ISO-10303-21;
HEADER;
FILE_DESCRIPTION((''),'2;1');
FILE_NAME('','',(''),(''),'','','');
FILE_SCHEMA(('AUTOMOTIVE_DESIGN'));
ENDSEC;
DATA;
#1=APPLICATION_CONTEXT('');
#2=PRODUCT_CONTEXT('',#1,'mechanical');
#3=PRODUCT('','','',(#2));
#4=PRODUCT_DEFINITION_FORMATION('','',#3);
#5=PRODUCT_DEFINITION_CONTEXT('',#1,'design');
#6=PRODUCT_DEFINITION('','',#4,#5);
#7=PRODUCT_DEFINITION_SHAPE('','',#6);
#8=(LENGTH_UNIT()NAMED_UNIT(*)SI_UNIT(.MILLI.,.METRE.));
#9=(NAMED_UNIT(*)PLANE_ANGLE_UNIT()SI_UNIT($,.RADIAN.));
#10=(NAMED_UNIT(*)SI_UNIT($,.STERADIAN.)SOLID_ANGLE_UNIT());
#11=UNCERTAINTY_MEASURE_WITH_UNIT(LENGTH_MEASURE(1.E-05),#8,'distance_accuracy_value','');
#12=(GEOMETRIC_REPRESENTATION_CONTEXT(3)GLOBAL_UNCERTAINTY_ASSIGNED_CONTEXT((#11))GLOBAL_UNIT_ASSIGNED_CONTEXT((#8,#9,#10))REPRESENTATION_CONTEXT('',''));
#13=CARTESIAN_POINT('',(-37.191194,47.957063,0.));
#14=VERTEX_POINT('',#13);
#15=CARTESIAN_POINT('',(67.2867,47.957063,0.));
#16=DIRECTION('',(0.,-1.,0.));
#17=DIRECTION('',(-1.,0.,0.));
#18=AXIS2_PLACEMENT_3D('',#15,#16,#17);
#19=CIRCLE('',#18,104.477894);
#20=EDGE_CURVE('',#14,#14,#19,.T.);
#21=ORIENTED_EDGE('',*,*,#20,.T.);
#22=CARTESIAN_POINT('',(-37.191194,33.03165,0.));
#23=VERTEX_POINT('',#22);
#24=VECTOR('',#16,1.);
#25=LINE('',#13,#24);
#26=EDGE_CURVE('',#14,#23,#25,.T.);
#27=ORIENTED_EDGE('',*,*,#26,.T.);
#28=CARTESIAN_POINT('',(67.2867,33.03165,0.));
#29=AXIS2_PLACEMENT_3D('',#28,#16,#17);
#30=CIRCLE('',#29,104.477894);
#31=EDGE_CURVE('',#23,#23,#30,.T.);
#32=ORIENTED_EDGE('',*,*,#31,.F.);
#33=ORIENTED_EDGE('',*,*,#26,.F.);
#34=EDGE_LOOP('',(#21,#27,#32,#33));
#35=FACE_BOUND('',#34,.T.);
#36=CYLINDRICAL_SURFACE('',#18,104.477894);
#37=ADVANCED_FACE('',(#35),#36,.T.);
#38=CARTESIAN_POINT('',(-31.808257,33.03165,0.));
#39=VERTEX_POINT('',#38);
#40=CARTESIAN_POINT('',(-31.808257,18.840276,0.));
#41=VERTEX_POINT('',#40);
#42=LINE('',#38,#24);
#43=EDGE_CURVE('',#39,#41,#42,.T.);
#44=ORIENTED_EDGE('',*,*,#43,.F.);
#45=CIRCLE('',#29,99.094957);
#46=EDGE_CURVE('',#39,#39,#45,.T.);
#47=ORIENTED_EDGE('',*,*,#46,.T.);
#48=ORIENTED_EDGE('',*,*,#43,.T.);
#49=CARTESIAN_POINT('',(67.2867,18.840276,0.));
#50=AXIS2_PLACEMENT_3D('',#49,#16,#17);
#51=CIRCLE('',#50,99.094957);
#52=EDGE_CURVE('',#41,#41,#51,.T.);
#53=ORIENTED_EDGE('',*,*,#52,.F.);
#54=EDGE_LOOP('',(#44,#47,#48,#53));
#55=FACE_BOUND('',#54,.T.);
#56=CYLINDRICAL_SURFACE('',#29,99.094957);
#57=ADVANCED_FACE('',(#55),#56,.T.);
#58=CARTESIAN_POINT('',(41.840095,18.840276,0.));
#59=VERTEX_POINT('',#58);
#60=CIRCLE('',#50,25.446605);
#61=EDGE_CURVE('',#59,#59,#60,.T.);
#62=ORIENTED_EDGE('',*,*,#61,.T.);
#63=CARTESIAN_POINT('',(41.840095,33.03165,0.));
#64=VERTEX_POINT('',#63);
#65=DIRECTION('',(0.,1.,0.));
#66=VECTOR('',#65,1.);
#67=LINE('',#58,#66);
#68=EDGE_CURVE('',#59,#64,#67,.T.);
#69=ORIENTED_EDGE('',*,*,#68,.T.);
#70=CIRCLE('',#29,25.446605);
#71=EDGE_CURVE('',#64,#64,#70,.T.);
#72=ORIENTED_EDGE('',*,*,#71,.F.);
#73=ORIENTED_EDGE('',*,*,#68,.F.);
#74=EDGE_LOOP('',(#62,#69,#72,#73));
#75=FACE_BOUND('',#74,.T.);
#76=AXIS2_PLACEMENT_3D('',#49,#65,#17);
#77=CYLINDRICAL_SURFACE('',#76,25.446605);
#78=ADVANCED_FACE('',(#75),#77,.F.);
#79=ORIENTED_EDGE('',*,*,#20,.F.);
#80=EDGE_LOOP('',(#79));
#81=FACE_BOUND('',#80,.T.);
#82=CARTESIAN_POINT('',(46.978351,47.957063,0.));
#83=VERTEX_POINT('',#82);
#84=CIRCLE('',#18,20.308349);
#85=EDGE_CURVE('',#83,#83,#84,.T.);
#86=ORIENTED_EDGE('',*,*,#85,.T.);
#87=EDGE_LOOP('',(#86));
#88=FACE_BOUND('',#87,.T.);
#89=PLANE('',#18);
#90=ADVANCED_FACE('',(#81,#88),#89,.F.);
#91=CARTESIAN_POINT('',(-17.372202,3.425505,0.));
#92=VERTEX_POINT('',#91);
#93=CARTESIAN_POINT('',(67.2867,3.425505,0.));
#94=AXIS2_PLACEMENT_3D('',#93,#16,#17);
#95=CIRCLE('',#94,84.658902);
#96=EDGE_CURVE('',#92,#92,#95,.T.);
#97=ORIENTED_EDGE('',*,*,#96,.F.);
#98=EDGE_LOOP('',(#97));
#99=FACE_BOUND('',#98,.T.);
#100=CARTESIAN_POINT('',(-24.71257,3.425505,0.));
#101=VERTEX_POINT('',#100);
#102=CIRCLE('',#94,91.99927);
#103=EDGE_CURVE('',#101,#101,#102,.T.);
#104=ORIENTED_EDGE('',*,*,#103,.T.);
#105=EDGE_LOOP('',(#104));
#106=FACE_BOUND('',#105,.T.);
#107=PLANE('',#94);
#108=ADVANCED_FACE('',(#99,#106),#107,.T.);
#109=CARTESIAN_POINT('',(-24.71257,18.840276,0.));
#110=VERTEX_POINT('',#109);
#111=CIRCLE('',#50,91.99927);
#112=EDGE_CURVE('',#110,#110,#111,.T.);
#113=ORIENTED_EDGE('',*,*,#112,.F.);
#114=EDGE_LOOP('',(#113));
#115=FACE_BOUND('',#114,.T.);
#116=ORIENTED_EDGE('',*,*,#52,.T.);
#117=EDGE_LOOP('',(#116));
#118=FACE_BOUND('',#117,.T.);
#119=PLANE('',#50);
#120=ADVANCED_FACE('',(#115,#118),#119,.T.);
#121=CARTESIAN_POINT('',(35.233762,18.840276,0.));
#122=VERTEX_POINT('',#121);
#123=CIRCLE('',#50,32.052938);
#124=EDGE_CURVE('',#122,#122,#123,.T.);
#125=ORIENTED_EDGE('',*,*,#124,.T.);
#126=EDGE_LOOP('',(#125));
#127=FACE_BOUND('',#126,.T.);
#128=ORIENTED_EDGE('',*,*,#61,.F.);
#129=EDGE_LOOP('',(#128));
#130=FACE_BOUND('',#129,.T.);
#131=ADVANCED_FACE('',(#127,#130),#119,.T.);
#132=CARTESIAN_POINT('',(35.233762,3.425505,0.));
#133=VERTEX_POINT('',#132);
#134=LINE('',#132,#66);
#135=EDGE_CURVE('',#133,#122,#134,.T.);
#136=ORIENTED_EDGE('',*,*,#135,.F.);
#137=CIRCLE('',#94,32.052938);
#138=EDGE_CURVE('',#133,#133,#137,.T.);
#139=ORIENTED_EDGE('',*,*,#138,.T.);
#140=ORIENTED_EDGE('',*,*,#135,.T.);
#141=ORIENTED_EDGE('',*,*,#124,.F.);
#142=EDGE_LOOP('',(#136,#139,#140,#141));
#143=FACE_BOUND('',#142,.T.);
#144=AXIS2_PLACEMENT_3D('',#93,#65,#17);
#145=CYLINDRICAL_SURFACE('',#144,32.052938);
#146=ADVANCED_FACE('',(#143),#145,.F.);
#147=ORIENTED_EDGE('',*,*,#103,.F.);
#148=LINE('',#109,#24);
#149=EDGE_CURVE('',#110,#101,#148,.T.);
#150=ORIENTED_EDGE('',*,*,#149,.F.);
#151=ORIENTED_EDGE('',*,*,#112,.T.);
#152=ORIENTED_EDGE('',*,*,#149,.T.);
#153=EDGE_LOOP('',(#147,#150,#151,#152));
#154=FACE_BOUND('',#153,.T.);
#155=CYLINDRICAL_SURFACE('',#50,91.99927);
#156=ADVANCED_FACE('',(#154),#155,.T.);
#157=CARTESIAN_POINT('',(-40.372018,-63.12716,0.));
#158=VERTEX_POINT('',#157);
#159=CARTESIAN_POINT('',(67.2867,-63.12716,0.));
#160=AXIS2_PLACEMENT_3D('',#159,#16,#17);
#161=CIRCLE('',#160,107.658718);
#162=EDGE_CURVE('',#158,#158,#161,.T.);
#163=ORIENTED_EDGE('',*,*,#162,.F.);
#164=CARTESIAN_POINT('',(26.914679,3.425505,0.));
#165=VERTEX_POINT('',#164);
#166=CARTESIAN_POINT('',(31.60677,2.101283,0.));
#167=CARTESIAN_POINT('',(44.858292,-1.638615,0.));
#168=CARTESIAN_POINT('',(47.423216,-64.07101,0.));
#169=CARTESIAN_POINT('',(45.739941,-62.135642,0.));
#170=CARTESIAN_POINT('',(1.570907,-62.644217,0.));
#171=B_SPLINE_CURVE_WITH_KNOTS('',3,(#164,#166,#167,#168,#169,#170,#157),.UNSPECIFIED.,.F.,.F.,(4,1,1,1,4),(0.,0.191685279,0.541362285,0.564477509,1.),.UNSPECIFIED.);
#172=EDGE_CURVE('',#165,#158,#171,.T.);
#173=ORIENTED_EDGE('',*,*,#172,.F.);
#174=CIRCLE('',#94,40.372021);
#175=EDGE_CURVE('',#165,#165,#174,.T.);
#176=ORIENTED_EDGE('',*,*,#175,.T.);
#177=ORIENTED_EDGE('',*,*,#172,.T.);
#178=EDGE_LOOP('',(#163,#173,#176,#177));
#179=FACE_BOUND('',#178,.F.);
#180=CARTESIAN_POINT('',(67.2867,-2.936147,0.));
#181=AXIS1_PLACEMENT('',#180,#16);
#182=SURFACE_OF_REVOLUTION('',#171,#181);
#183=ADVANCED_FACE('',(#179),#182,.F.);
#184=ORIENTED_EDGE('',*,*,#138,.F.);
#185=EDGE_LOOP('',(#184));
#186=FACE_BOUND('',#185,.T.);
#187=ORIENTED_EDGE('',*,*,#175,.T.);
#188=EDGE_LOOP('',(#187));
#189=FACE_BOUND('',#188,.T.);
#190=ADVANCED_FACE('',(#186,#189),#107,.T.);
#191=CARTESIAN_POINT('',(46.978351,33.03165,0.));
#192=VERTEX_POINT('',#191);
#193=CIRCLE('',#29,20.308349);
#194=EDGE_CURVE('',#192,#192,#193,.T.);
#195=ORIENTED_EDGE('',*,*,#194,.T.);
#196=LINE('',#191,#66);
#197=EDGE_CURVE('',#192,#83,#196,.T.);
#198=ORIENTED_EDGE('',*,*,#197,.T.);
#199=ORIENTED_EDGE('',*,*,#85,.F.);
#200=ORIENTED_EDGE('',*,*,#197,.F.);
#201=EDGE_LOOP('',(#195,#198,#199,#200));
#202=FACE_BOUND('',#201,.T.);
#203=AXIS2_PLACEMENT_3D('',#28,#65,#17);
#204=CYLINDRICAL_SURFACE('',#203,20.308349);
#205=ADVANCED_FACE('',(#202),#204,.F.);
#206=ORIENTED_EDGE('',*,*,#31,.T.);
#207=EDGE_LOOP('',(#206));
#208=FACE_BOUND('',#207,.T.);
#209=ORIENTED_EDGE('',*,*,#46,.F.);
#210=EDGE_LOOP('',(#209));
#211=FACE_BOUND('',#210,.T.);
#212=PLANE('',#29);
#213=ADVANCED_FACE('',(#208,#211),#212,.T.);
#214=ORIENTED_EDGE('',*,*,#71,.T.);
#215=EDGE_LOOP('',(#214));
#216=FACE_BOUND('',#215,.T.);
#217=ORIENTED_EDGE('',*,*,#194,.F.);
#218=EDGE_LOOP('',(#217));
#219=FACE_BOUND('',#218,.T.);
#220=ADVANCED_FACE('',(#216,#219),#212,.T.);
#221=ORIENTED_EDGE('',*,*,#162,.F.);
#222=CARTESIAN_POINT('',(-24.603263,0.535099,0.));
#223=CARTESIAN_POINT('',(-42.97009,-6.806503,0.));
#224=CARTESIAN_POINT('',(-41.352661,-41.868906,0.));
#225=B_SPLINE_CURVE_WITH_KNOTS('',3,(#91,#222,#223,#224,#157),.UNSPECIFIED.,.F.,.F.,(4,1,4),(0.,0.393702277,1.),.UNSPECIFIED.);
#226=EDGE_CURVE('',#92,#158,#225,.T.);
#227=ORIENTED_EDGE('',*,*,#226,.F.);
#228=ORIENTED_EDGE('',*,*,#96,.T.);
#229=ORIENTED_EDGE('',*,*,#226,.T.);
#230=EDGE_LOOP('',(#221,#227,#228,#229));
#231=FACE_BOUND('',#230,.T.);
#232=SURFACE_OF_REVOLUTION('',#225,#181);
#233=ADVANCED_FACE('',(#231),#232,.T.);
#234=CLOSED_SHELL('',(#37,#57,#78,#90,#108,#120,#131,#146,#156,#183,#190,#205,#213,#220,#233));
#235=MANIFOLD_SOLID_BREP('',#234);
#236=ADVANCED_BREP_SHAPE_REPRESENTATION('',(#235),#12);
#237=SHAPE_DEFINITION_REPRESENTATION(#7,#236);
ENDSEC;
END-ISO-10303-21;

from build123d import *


with BuildPart() as f1:
    # F0 (on Top) → F1 (revolve)
    with BuildSketch(Plane.XY):
        Polygon((46.9783507288, 47.9570627213), (-37.1911935508, 47.9570627213), (-37.1911935508, 33.0316498876), (-31.808257103, 33.0316498876), (41.840095073, 33.0316498876), (46.9783507288, 33.0316498876), align=None)
        with BuildLine():
            Line((26.914678514, 3.4255045466), (-17.3722021282, 3.4255045466))
            add(Edge.make_bspline(
                [(-17.3722021282, 3.4255045466), (-24.6032634919, 0.5350989453), (-42.97008984, -6.8065034953), (-41.3526611202, -41.8689055569), (-40.372017771, -63.1271600723)],
                knots=[0, 0, 0, 0, 0.3937022775, 1, 1, 1, 1], degree=3))
            add(Edge.make_bspline(
                [(26.914678514, 3.4255045466), (31.6067703889, 2.1012831856), (44.8582918282, -1.6386153976), (47.4232161342, -64.0710102025), (45.7399405329, -62.1356415294), (1.5709073955, -62.6442168335), (-40.372017771, -63.1271600723)],
                knots=[0, 0, 0, 0, 0.1916852787, 0.5413622852, 0.5644775087, 1, 1, 1, 1], degree=3))
        make_face()
        Polygon((41.840095073, 33.0316498876), (-31.808257103, 33.0316498876), (-31.808257103, 18.8402757049), (-24.7125700116, 18.8402757049), (35.2337621152, 18.8402757049), (41.840095073, 18.8402757049), align=None)
        Polygon((35.2337621152, 18.8402757049), (-24.7125700116, 18.8402757049), (-24.7125700116, 3.4255045466), (-17.3722021282, 3.4255045466), (26.914678514, 3.4255045466), (35.2337621152, 3.4255045466), align=None)
    revolve(axis=Axis((67.2867000103, -2.9361471534, 0), (0, -1, 0)))


solid = f1.part
